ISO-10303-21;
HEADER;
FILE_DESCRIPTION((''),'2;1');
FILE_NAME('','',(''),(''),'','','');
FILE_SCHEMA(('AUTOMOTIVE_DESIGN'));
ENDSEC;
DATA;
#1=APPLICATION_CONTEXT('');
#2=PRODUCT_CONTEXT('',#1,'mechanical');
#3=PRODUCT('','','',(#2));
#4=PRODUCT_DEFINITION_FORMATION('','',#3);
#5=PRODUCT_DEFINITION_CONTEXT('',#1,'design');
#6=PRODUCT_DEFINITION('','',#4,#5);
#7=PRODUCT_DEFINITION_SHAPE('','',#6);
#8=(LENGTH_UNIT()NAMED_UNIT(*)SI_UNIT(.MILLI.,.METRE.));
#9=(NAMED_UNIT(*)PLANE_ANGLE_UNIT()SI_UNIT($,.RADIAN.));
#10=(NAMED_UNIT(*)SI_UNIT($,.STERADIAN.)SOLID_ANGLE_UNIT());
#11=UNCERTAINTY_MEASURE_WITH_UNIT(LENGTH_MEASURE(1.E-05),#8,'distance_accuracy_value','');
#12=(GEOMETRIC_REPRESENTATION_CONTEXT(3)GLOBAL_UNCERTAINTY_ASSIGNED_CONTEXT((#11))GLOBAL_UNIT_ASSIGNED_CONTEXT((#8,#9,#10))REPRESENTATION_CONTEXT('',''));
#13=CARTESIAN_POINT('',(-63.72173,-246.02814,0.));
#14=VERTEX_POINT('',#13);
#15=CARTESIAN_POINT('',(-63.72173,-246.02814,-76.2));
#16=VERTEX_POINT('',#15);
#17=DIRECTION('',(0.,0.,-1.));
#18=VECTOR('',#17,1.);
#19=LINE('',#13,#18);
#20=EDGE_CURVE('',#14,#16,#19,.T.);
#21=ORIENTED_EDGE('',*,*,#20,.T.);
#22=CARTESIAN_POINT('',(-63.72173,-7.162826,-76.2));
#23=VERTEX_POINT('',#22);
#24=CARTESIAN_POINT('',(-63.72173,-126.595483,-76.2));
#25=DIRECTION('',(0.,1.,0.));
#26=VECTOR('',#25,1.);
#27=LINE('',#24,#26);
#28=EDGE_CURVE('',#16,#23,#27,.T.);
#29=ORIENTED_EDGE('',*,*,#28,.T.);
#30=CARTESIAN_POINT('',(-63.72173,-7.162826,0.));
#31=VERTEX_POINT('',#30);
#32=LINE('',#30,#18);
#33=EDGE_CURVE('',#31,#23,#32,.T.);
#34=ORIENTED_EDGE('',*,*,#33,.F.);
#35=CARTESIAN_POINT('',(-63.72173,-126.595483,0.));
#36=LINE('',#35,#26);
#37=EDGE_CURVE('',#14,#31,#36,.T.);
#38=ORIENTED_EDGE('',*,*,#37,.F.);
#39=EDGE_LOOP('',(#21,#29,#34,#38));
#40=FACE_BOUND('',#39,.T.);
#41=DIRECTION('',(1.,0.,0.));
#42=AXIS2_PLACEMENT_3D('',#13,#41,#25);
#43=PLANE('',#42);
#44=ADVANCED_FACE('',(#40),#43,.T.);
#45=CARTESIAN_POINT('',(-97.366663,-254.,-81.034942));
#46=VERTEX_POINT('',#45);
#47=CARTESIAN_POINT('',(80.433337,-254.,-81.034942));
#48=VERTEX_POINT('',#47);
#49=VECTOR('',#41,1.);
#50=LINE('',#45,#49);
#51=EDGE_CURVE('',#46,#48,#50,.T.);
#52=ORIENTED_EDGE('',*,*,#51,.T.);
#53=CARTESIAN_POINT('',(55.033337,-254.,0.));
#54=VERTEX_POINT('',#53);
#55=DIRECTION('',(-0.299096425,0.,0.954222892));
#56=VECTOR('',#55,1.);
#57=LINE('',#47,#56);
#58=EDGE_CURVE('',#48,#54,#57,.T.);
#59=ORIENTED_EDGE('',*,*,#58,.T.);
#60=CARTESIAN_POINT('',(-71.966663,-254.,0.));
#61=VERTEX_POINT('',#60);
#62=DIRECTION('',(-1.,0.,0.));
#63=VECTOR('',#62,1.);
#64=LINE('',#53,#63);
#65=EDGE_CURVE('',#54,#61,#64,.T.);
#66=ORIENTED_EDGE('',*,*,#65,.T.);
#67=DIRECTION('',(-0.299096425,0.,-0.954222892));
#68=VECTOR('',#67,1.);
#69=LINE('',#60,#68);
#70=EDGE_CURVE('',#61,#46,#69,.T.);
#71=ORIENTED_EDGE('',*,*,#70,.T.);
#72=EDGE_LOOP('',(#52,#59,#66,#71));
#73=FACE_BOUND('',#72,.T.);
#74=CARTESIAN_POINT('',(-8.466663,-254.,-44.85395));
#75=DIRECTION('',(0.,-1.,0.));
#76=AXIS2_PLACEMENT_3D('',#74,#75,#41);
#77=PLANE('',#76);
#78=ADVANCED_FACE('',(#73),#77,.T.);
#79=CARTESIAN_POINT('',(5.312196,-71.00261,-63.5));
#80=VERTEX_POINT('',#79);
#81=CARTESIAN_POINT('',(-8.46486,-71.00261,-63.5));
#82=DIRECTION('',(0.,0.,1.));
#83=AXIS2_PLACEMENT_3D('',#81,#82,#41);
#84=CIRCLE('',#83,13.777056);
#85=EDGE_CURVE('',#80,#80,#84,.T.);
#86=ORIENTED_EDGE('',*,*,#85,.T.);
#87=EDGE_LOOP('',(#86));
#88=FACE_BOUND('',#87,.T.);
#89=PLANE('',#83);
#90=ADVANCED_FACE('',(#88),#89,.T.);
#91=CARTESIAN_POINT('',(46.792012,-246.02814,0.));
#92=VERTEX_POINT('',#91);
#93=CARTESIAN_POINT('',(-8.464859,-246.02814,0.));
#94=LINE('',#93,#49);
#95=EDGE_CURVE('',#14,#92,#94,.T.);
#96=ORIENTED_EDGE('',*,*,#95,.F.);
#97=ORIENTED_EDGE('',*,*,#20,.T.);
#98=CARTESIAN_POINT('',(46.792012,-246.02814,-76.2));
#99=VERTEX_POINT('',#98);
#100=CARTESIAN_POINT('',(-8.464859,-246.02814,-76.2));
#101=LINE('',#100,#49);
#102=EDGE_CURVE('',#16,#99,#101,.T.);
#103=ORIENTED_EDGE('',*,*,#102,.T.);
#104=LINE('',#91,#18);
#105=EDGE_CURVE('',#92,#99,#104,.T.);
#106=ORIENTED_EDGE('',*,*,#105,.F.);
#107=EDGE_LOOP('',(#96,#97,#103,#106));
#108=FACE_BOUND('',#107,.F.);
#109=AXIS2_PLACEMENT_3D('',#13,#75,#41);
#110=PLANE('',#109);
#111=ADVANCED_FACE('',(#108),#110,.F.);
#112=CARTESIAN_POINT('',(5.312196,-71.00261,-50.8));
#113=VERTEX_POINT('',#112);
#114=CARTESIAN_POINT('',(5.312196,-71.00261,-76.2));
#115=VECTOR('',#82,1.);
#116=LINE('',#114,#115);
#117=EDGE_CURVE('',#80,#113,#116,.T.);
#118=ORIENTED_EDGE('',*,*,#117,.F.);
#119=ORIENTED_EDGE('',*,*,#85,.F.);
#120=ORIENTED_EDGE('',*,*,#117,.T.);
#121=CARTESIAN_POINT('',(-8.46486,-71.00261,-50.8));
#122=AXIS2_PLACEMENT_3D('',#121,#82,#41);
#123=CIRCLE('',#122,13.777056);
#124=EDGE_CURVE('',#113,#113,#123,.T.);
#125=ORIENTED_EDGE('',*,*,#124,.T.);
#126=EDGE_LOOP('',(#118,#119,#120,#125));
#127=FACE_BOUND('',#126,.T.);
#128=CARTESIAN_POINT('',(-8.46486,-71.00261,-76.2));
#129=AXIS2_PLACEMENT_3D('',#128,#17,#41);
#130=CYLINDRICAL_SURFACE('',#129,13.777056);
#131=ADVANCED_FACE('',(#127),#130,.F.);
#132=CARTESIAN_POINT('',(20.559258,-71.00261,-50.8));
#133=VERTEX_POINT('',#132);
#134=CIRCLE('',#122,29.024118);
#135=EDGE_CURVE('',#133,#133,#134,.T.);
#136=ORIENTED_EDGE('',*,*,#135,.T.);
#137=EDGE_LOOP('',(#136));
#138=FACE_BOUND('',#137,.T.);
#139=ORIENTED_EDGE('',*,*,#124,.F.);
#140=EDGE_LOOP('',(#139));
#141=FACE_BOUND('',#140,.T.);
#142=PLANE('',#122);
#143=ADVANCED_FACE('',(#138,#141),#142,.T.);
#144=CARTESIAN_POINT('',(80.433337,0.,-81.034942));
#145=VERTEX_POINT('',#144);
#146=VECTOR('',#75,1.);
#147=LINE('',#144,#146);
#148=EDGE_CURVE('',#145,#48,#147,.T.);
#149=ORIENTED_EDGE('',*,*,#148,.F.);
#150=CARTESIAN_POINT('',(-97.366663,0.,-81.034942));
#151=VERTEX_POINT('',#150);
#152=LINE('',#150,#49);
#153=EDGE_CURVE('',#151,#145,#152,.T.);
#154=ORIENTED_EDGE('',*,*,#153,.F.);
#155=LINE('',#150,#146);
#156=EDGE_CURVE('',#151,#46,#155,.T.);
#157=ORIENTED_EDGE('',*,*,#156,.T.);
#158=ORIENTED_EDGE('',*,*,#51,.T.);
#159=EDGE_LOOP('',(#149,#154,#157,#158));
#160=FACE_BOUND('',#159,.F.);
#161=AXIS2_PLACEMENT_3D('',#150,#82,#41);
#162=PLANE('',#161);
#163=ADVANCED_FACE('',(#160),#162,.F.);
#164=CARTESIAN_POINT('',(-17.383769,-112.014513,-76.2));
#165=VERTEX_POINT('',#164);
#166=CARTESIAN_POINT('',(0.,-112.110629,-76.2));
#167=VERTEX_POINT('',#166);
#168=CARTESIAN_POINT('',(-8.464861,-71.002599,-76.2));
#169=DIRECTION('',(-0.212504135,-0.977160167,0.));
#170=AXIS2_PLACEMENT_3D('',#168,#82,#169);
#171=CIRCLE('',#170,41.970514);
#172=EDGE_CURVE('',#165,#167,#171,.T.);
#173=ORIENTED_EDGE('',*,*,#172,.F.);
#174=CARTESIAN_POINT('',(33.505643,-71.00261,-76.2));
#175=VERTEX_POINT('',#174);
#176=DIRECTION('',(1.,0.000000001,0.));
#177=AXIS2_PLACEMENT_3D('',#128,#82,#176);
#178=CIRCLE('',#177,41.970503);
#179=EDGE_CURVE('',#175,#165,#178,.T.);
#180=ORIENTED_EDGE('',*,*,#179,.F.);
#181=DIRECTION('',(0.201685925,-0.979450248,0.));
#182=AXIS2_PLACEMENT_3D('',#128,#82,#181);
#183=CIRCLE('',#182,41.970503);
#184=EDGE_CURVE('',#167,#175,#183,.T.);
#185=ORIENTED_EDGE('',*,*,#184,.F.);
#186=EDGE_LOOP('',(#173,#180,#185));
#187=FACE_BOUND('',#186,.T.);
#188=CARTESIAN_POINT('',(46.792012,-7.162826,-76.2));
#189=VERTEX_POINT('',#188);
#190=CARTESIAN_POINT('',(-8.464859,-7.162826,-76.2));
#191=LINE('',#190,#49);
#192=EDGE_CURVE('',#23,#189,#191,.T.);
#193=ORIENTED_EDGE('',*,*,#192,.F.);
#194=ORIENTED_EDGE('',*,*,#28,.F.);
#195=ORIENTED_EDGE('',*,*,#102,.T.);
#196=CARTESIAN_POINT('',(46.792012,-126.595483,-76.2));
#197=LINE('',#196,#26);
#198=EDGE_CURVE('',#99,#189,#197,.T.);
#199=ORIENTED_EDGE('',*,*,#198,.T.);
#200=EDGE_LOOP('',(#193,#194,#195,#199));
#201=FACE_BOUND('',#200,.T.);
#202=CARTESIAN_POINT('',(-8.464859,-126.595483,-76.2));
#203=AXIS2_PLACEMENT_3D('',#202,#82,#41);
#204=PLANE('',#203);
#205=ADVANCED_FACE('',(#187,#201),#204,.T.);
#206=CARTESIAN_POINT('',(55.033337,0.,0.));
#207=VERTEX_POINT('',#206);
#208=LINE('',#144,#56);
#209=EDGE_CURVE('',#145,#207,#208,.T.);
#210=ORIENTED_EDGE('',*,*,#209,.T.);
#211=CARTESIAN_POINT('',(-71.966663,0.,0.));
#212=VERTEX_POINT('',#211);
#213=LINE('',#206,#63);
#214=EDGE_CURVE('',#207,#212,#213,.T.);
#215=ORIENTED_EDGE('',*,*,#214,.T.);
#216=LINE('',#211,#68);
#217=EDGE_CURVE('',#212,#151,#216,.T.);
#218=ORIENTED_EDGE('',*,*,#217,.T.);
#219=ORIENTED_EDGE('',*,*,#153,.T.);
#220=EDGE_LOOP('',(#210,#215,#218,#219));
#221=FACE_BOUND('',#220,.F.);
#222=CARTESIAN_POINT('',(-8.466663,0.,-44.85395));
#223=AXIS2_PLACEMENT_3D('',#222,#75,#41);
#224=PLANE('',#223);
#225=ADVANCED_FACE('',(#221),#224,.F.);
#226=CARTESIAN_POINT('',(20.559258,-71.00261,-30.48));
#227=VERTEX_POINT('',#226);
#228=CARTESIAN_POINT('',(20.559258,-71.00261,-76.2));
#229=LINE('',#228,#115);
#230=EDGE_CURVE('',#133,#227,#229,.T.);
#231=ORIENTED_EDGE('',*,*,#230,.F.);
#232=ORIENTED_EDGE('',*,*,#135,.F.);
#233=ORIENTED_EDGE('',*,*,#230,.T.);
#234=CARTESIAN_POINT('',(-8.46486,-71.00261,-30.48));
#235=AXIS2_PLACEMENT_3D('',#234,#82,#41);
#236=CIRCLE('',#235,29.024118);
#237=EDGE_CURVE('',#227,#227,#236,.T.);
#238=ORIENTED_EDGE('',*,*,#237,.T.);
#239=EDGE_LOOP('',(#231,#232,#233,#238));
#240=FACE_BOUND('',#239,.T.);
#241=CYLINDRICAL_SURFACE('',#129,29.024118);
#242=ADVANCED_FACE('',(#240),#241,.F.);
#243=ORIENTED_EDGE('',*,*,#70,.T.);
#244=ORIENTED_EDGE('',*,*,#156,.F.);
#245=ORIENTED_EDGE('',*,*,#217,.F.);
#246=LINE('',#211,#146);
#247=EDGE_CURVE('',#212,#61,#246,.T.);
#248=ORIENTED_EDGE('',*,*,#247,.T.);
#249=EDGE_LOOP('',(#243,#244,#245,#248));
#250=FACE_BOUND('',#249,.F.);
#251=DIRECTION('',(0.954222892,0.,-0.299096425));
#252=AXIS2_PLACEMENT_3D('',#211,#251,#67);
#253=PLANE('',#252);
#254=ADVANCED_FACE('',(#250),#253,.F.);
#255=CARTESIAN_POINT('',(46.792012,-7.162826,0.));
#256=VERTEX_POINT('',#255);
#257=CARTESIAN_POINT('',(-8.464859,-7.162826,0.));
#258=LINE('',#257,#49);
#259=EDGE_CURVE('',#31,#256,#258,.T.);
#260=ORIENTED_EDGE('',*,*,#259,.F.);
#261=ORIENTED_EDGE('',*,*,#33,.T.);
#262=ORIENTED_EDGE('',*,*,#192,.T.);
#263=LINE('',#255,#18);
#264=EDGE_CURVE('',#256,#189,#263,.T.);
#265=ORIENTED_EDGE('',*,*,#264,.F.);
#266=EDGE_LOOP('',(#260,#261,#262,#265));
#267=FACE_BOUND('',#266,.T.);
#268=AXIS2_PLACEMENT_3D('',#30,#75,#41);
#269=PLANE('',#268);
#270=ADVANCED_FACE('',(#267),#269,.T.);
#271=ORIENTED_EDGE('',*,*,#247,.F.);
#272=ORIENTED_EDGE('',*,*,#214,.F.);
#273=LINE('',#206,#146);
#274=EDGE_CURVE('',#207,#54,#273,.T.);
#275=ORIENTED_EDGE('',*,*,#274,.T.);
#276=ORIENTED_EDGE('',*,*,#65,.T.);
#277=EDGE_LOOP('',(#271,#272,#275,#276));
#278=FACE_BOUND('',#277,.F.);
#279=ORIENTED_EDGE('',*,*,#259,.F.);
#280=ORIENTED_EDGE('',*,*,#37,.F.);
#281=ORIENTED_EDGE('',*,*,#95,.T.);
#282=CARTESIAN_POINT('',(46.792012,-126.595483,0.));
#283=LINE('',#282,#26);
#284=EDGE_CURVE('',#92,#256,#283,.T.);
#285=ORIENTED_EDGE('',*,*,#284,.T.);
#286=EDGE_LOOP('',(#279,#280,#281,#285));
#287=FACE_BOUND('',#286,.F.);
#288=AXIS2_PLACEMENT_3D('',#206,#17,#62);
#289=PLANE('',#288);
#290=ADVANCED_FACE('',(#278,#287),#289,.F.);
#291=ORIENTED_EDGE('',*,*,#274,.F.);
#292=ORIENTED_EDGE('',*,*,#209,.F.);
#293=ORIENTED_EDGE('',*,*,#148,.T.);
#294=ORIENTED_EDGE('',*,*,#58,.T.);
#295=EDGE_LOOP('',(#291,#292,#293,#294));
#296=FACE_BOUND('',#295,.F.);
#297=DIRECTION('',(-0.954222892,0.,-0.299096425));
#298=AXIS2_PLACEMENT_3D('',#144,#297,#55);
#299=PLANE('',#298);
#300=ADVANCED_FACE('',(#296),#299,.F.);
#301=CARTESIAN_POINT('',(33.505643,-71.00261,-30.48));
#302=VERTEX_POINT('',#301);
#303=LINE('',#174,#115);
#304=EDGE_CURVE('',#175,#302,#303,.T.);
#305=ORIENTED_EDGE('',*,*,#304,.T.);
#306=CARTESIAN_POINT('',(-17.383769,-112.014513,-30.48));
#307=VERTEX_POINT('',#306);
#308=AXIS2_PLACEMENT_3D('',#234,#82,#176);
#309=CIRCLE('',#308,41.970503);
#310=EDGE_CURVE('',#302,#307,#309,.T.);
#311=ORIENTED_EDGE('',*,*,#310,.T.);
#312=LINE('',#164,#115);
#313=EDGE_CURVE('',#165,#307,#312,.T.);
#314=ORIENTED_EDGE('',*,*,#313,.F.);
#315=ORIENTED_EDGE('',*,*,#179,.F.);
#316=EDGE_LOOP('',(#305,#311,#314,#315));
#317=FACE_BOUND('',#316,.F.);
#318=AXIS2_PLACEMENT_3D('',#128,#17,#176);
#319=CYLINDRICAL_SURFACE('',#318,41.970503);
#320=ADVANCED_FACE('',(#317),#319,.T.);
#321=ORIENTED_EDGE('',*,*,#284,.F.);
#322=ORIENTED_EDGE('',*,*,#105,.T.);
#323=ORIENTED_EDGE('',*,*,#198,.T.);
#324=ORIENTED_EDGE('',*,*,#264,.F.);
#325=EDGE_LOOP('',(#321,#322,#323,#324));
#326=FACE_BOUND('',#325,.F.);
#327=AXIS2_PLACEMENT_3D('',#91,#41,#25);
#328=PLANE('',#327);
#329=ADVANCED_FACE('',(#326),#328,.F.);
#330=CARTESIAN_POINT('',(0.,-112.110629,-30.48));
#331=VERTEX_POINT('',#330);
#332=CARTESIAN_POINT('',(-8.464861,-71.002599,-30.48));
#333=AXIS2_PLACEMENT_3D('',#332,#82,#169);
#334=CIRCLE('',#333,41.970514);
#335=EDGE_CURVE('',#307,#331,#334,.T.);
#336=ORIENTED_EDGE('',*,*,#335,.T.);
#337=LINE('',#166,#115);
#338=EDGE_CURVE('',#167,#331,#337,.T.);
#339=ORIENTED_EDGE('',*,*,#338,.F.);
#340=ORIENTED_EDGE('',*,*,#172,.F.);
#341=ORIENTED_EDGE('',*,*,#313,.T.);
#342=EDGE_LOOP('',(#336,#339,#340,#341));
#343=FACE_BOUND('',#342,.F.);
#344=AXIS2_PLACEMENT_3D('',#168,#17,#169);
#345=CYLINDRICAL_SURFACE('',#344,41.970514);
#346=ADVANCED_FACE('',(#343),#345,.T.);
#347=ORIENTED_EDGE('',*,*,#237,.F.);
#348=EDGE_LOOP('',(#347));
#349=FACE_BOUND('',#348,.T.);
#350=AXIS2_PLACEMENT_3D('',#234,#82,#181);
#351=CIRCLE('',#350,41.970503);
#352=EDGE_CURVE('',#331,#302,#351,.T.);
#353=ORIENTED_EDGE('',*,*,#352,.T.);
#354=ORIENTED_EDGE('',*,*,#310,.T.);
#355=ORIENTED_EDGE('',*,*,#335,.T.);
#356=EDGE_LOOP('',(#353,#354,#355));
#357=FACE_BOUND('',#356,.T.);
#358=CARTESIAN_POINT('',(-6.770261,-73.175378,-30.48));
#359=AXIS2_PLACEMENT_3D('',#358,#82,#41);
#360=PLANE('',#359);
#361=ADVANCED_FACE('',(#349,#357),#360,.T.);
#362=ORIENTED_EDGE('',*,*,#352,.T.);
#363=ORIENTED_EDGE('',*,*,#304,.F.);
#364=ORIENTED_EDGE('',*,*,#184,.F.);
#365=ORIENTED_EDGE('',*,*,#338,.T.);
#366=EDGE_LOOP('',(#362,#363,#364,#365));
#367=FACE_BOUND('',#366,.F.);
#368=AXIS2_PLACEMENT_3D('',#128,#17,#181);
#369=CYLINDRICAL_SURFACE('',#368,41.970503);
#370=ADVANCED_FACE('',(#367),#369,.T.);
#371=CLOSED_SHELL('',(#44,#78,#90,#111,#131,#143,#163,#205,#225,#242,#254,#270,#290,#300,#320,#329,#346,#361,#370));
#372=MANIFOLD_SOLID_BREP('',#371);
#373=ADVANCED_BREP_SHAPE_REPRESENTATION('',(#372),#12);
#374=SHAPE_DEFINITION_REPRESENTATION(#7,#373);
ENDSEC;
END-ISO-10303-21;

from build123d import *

# Parameters (mm, degrees)
F1_DEPTH = 254
F2_W     = 110.513743
F2_H     = 238.865314
F3_DEPTH = 76.2
F4_R     = 13.777056
F5_DEPTH = 12.7
F4_R_2   = 29.024118
F6_DEPTH = 25.4
F7_DEPTH = 45.72


with BuildPart() as f1:
    # F0 (on Front) → F1 (new body)
    with BuildSketch(Plane.XZ):
        Polygon((55.033337, 0), (-71.966663, 0), (-97.366663, -81.034942), (80.433337, -81.034942), align=None)
    extrude(amount=F1_DEPTH)

    # F2 (on face) → F3 (cut)
    with BuildSketch(Plane.XY):
        with Locations((-8.464859, -126.595483)):
            Rectangle(F2_W, F2_H)
    extrude(amount=-F3_DEPTH, mode=Mode.SUBTRACT)

    # F4 (on face) → F5 (join)
    with BuildSketch(Plane.XY.offset(-76.2)):
        with Locations((-8.46486, -71.00261)):
            Circle(F4_R)
    extrude(amount=F5_DEPTH)

    # F4 (on face) → F6 (join)
    with BuildSketch(Plane.XY.offset(-76.2)):
        with Locations((-8.46486, -71.00261)):
            Circle(F4_R_2)
        with Locations((-8.46486, -71.00261)):
            Circle(F4_R, mode=Mode.SUBTRACT)
    extrude(amount=F6_DEPTH)

    # F4 (on face) → F7 (join)
    with BuildSketch(Plane.XY.offset(-76.2)):
        with BuildLine():
            ThreePointArc((0, -112.110629), (24.068181, -97.519102), (33.505643, -71.00261))
            ThreePointArc((33.505643, -71.00261), (-34.801071, -38.323456), (-17.383769, -112.014513))
            ThreePointArc((-17.383769, -112.014513), (-8.696916, -112.972471), (0, -112.110629))
        make_face()
        with Locations((-8.46486, -71.00261)):
            Circle(F4_R_2, mode=Mode.SUBTRACT)
    extrude(amount=F7_DEPTH)


solid = f1.part
